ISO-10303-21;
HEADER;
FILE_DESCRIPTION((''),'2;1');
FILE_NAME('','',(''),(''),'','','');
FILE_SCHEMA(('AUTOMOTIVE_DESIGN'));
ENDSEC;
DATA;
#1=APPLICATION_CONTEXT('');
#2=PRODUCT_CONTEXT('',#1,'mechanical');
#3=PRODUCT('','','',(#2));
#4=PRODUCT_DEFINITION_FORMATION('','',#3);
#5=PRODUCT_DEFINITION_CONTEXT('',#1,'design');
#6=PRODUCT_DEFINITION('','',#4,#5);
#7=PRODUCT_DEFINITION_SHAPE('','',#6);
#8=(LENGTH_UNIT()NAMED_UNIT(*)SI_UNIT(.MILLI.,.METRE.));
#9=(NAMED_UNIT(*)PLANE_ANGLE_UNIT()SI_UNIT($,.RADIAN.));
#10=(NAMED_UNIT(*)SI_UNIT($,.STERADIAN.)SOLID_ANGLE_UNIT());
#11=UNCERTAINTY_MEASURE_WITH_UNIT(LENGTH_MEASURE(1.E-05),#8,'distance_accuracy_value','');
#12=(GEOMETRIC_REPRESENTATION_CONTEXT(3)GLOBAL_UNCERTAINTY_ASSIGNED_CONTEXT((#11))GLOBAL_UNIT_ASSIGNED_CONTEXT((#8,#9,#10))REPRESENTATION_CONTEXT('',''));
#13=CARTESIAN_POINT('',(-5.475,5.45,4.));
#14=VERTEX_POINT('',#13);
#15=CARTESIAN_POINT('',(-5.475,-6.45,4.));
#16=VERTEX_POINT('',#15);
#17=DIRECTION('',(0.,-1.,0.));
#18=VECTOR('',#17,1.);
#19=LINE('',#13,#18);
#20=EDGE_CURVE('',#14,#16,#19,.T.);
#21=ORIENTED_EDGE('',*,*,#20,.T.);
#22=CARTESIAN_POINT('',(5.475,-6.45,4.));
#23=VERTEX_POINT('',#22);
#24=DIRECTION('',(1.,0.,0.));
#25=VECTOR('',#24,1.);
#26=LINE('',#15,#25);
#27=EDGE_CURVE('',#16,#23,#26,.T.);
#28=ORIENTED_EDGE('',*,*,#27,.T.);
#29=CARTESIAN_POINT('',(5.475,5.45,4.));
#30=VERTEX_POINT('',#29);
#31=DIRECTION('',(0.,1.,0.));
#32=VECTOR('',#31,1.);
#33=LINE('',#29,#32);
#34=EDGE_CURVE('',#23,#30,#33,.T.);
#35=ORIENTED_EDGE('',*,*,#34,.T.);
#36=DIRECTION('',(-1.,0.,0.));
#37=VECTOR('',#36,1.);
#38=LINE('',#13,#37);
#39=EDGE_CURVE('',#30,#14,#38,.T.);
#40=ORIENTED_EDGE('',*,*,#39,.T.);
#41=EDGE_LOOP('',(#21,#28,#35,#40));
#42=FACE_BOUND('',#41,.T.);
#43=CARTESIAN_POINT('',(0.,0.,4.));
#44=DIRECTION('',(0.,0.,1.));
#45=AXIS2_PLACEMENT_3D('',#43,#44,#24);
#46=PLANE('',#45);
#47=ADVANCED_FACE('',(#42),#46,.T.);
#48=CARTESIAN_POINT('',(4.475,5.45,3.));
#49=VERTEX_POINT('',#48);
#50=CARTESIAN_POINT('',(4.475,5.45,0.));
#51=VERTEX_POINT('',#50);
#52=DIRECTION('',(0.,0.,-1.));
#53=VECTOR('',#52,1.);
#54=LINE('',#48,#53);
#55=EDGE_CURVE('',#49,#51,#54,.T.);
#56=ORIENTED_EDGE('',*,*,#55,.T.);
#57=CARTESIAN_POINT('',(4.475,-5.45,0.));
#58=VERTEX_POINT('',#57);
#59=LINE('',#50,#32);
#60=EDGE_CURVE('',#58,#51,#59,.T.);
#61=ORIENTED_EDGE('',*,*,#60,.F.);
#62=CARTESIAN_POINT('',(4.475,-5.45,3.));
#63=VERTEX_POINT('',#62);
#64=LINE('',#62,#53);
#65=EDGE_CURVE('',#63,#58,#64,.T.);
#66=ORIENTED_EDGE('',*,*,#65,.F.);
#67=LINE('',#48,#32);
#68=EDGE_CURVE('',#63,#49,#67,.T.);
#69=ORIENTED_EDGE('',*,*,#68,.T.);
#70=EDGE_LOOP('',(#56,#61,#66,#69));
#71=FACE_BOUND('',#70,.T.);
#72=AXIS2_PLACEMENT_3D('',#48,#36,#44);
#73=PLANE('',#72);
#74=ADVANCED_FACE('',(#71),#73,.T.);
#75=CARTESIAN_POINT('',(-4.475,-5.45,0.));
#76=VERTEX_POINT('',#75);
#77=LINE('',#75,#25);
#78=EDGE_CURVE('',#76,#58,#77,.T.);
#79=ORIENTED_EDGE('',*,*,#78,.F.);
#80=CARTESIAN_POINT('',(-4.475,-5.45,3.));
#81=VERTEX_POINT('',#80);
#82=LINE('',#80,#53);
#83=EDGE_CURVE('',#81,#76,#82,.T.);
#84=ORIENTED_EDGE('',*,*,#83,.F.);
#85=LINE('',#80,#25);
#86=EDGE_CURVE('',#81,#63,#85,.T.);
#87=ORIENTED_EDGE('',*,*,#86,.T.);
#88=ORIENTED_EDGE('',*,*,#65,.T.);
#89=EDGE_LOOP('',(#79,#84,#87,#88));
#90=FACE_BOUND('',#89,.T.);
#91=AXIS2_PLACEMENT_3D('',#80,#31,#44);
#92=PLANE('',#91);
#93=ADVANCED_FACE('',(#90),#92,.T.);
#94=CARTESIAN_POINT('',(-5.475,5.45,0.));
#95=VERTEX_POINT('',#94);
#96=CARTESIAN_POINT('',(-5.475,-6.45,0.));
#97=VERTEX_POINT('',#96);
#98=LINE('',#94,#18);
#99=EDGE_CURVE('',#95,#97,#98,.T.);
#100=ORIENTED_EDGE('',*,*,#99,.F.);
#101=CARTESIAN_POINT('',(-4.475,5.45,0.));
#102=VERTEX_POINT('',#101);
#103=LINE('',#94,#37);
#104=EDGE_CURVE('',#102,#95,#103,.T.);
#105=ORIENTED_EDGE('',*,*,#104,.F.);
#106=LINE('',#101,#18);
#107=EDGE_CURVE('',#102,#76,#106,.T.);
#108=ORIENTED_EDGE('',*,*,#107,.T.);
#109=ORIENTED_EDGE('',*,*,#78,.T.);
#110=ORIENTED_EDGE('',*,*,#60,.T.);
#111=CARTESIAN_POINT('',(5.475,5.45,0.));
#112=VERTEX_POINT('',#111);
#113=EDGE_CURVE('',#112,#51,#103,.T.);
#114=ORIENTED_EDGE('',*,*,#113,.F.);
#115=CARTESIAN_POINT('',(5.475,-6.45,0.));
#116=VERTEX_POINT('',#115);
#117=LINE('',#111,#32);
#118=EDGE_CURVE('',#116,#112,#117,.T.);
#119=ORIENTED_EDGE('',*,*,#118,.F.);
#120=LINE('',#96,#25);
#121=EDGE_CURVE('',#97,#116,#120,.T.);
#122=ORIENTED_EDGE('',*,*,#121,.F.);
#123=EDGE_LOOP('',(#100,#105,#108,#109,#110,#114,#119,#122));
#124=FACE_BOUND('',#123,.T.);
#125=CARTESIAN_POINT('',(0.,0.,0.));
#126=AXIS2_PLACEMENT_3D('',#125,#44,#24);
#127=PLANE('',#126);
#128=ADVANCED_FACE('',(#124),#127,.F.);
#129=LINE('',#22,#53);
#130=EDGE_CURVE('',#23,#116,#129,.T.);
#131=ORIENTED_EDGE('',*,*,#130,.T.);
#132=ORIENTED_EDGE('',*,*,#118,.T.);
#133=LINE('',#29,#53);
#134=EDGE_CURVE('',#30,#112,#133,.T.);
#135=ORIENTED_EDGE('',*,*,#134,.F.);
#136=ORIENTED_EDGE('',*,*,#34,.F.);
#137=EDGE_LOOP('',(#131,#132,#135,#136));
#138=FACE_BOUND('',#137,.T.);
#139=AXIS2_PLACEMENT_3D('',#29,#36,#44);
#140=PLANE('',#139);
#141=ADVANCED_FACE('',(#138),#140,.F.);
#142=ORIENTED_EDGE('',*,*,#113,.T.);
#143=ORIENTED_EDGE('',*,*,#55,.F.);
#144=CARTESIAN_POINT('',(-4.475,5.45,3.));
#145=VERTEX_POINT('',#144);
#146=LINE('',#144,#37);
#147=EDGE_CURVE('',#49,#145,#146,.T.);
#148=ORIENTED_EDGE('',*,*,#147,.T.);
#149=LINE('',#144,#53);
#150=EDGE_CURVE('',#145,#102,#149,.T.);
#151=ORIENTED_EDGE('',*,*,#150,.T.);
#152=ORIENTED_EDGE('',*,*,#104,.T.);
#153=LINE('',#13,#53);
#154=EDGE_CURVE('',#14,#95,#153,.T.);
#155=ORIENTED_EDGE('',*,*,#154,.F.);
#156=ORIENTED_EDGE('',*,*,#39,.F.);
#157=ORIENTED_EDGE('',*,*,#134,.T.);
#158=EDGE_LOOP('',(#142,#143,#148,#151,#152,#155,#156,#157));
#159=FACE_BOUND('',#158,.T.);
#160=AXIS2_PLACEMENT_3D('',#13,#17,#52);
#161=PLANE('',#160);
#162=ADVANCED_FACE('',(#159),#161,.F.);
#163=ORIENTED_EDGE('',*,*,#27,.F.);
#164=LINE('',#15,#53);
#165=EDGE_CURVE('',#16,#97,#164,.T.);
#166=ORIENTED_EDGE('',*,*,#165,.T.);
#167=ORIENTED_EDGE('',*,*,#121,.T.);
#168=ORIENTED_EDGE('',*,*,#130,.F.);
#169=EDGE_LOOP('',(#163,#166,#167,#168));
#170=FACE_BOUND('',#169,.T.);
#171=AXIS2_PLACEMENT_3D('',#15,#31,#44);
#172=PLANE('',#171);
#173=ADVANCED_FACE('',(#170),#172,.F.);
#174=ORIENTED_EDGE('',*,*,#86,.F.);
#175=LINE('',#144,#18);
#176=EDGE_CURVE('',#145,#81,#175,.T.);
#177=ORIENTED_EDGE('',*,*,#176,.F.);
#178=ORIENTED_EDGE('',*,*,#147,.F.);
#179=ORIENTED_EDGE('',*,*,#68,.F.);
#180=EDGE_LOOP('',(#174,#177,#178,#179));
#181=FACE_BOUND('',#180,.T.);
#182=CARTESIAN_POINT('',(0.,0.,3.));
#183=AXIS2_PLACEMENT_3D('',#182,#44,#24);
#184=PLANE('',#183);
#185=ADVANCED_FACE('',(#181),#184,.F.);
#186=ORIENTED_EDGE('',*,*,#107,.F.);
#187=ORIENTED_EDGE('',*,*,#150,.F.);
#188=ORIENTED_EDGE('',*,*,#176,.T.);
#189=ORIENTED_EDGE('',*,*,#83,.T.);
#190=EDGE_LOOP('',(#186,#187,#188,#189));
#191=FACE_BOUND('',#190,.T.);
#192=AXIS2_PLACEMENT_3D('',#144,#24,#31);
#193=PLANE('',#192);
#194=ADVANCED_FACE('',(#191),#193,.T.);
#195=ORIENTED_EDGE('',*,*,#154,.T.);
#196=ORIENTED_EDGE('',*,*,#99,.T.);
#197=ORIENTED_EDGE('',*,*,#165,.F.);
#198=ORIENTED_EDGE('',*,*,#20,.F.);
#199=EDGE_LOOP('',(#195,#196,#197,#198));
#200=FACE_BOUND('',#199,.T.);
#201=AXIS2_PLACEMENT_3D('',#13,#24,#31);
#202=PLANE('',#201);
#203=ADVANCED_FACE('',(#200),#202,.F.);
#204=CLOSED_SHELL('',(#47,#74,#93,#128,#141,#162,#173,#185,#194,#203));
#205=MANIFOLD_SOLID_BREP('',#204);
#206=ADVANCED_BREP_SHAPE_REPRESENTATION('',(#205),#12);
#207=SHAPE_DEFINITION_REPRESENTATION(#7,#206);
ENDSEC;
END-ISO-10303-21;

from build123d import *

# Parameters (mm, degrees)
SKETCH_2_W          = 10.95
SKETCH_2_H          = 11.9
EXTRUDE_2_DEPTH     = 4
SKETCH_1_W          = 8.95
SKETCH_1_H          = 10.9
CUT_EXTRUDE_1_DEPTH = 3


with BuildPart() as part:
    # 草圖2 → 填料-伸長2 (new body)
    with BuildSketch(Plane.XY):
        with Locations((0, -0.5)):
            Rectangle(SKETCH_2_W, SKETCH_2_H)
    extrude(amount=EXTRUDE_2_DEPTH)

    # 草圖1 → 除料-伸長1 (cut)
    with BuildSketch(Plane.XY):
        Rectangle(SKETCH_1_W, SKETCH_1_H)
    extrude(amount=CUT_EXTRUDE_1_DEPTH, mode=Mode.SUBTRACT)


solid = part.part
